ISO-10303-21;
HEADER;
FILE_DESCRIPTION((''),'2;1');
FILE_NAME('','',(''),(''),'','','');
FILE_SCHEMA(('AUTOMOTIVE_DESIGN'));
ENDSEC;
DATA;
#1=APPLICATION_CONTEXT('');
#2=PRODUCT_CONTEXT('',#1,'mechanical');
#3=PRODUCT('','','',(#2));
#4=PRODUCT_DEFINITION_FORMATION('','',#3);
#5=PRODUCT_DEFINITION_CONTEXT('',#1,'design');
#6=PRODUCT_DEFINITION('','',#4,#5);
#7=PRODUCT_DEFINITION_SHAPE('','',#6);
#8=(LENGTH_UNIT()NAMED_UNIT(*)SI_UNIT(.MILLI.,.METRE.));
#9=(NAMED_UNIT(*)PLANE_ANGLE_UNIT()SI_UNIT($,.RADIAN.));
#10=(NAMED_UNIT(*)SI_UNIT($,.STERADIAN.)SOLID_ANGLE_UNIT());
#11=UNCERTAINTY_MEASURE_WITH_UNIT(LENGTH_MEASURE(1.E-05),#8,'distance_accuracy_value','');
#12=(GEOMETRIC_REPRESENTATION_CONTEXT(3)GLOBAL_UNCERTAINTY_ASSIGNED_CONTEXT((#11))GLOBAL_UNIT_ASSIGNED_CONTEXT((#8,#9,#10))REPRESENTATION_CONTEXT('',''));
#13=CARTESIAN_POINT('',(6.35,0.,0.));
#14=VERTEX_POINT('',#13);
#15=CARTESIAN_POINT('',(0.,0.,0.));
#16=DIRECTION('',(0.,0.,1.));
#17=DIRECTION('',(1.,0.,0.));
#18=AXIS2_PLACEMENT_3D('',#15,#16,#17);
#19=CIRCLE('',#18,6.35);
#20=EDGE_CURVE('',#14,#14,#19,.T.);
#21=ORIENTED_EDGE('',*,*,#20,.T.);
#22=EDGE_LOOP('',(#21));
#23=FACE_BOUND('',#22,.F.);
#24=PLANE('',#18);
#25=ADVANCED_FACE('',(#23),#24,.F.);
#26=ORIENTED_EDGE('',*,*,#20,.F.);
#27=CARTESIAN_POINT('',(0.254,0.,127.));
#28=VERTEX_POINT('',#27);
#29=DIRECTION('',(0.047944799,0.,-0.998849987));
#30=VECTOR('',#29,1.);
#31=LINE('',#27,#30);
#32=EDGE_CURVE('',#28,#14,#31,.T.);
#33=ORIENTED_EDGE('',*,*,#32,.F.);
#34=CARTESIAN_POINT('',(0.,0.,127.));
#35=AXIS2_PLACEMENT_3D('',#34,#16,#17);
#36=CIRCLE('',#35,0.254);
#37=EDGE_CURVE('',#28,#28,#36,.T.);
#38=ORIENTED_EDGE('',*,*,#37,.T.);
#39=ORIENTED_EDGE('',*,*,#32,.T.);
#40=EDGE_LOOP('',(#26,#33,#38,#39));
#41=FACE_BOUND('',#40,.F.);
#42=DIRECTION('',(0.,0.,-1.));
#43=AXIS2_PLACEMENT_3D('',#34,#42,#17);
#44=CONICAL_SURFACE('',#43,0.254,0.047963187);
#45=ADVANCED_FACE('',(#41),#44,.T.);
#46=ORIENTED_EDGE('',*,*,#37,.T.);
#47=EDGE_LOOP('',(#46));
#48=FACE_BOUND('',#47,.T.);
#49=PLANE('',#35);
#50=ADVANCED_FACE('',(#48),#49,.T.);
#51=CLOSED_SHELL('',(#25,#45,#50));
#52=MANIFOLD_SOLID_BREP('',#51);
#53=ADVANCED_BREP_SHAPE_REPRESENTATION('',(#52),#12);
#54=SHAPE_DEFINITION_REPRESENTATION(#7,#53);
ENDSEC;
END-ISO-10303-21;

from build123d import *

# Parameters (mm, degrees)
F0_R     = 6.35
F1_DEPTH = 127


with BuildPart() as f1:
    # F0 (on Top) → F1 (new body)
    with BuildSketch(Plane.XY):
        Circle(F0_R)
    extrude(amount=F1_DEPTH)

    # F2 (on Front) → F3 (revolve, cut)
    with BuildSketch(Plane.XZ):
        Polygon((0.254, 127), (6.35, 0), (6.35, 127), align=None)
    revolve(axis=Axis((0, 0, 63.5), (0, 0, 1)), mode=Mode.SUBTRACT)


solid = f1.part
